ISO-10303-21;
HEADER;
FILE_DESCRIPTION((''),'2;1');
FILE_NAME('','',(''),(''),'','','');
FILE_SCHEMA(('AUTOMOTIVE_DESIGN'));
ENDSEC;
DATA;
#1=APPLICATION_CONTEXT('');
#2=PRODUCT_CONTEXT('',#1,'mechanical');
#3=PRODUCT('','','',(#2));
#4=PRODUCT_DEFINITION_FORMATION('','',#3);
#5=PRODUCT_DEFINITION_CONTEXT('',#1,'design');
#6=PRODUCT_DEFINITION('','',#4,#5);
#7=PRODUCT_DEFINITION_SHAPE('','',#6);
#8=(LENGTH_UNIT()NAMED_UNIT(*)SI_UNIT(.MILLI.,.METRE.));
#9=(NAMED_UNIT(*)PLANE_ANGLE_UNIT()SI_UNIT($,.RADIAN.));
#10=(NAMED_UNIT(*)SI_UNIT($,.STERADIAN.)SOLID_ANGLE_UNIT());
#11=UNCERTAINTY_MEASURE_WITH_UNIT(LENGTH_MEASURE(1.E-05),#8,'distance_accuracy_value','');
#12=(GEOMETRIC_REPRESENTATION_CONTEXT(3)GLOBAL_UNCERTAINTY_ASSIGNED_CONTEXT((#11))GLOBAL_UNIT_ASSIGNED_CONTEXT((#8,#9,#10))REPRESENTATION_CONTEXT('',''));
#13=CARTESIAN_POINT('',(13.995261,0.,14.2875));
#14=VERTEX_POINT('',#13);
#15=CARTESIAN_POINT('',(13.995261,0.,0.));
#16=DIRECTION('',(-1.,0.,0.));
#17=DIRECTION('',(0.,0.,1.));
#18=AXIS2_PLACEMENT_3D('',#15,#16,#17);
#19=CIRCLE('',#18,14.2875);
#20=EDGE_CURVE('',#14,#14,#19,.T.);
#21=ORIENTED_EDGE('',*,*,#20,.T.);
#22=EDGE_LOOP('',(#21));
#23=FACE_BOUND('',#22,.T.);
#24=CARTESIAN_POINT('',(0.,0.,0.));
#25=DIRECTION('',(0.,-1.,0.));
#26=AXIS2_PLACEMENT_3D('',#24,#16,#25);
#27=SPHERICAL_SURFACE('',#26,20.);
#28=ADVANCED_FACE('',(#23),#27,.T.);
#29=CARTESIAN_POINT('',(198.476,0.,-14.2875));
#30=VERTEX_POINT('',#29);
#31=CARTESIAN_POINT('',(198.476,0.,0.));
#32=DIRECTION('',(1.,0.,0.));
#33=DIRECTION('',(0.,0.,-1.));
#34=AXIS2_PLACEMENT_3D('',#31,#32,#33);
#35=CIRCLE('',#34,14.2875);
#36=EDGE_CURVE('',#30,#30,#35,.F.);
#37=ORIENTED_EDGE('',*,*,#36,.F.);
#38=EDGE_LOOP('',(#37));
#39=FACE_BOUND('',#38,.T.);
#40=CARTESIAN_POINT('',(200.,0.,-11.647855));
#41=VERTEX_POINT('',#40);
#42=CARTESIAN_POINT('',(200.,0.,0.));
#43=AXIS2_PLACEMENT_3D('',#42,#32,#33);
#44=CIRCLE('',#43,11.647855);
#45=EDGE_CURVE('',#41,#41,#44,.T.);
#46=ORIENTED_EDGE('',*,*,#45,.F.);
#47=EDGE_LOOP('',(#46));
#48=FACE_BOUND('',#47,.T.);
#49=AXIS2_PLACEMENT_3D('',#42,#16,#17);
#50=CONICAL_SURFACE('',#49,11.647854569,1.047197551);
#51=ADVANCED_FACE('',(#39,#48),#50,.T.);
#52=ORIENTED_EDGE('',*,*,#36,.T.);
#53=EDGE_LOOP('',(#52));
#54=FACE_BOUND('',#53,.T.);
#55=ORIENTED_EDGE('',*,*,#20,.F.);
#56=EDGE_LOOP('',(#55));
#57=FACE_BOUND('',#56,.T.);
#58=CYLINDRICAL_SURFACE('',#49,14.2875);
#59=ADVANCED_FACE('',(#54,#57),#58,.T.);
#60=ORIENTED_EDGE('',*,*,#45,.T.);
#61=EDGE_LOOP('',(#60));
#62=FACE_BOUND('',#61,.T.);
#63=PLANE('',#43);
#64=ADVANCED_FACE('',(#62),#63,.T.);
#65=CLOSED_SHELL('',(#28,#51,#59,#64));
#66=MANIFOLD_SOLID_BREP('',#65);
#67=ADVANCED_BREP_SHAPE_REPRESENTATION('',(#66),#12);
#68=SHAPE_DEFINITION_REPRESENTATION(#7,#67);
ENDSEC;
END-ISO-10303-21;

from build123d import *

# Parameters (mm, degrees)
SKETCH1_R           = 14.2875
BOSS_EXTRUDE1_DEPTH = 200
CHAMFER1_SIZE       = 1.524
CHAMFER1_SIZE2      = 2.639645431


with BuildPart() as part:
    # Sketch1 → Boss-Extrude1 (new body)
    with BuildSketch(Plane(origin=(0, 0, 0), x_dir=(0, 0, -1), z_dir=(1, 0, 0))):
        Circle(SKETCH1_R)
    extrude(amount=BOSS_EXTRUDE1_DEPTH)

    # Chamfer1
    chamfer1_edges = [part.edges().sort_by_distance(p)[0] for p in [
        (200, 0, 14.2875),
    ]]
    chamfer1_side = [part.faces().sort_by_distance(p)[0] for p in [
        (100, 0, 14.2875),
    ]]
    chamfer(chamfer1_edges, length=CHAMFER1_SIZE, length2=CHAMFER1_SIZE2, reference=chamfer1_side[0])

    # Sketch4 → Revolve1 (revolve)
    with BuildSketch(Plane.XY):
        with BuildLine():
            Line((-20, 0), (20, 0))
            ThreePointArc((20, 0), (0, 20), (-20, 0))
        make_face()
    revolve(axis=Axis((0, 0, 0), (1, 0, 0)))


solid = part.part
